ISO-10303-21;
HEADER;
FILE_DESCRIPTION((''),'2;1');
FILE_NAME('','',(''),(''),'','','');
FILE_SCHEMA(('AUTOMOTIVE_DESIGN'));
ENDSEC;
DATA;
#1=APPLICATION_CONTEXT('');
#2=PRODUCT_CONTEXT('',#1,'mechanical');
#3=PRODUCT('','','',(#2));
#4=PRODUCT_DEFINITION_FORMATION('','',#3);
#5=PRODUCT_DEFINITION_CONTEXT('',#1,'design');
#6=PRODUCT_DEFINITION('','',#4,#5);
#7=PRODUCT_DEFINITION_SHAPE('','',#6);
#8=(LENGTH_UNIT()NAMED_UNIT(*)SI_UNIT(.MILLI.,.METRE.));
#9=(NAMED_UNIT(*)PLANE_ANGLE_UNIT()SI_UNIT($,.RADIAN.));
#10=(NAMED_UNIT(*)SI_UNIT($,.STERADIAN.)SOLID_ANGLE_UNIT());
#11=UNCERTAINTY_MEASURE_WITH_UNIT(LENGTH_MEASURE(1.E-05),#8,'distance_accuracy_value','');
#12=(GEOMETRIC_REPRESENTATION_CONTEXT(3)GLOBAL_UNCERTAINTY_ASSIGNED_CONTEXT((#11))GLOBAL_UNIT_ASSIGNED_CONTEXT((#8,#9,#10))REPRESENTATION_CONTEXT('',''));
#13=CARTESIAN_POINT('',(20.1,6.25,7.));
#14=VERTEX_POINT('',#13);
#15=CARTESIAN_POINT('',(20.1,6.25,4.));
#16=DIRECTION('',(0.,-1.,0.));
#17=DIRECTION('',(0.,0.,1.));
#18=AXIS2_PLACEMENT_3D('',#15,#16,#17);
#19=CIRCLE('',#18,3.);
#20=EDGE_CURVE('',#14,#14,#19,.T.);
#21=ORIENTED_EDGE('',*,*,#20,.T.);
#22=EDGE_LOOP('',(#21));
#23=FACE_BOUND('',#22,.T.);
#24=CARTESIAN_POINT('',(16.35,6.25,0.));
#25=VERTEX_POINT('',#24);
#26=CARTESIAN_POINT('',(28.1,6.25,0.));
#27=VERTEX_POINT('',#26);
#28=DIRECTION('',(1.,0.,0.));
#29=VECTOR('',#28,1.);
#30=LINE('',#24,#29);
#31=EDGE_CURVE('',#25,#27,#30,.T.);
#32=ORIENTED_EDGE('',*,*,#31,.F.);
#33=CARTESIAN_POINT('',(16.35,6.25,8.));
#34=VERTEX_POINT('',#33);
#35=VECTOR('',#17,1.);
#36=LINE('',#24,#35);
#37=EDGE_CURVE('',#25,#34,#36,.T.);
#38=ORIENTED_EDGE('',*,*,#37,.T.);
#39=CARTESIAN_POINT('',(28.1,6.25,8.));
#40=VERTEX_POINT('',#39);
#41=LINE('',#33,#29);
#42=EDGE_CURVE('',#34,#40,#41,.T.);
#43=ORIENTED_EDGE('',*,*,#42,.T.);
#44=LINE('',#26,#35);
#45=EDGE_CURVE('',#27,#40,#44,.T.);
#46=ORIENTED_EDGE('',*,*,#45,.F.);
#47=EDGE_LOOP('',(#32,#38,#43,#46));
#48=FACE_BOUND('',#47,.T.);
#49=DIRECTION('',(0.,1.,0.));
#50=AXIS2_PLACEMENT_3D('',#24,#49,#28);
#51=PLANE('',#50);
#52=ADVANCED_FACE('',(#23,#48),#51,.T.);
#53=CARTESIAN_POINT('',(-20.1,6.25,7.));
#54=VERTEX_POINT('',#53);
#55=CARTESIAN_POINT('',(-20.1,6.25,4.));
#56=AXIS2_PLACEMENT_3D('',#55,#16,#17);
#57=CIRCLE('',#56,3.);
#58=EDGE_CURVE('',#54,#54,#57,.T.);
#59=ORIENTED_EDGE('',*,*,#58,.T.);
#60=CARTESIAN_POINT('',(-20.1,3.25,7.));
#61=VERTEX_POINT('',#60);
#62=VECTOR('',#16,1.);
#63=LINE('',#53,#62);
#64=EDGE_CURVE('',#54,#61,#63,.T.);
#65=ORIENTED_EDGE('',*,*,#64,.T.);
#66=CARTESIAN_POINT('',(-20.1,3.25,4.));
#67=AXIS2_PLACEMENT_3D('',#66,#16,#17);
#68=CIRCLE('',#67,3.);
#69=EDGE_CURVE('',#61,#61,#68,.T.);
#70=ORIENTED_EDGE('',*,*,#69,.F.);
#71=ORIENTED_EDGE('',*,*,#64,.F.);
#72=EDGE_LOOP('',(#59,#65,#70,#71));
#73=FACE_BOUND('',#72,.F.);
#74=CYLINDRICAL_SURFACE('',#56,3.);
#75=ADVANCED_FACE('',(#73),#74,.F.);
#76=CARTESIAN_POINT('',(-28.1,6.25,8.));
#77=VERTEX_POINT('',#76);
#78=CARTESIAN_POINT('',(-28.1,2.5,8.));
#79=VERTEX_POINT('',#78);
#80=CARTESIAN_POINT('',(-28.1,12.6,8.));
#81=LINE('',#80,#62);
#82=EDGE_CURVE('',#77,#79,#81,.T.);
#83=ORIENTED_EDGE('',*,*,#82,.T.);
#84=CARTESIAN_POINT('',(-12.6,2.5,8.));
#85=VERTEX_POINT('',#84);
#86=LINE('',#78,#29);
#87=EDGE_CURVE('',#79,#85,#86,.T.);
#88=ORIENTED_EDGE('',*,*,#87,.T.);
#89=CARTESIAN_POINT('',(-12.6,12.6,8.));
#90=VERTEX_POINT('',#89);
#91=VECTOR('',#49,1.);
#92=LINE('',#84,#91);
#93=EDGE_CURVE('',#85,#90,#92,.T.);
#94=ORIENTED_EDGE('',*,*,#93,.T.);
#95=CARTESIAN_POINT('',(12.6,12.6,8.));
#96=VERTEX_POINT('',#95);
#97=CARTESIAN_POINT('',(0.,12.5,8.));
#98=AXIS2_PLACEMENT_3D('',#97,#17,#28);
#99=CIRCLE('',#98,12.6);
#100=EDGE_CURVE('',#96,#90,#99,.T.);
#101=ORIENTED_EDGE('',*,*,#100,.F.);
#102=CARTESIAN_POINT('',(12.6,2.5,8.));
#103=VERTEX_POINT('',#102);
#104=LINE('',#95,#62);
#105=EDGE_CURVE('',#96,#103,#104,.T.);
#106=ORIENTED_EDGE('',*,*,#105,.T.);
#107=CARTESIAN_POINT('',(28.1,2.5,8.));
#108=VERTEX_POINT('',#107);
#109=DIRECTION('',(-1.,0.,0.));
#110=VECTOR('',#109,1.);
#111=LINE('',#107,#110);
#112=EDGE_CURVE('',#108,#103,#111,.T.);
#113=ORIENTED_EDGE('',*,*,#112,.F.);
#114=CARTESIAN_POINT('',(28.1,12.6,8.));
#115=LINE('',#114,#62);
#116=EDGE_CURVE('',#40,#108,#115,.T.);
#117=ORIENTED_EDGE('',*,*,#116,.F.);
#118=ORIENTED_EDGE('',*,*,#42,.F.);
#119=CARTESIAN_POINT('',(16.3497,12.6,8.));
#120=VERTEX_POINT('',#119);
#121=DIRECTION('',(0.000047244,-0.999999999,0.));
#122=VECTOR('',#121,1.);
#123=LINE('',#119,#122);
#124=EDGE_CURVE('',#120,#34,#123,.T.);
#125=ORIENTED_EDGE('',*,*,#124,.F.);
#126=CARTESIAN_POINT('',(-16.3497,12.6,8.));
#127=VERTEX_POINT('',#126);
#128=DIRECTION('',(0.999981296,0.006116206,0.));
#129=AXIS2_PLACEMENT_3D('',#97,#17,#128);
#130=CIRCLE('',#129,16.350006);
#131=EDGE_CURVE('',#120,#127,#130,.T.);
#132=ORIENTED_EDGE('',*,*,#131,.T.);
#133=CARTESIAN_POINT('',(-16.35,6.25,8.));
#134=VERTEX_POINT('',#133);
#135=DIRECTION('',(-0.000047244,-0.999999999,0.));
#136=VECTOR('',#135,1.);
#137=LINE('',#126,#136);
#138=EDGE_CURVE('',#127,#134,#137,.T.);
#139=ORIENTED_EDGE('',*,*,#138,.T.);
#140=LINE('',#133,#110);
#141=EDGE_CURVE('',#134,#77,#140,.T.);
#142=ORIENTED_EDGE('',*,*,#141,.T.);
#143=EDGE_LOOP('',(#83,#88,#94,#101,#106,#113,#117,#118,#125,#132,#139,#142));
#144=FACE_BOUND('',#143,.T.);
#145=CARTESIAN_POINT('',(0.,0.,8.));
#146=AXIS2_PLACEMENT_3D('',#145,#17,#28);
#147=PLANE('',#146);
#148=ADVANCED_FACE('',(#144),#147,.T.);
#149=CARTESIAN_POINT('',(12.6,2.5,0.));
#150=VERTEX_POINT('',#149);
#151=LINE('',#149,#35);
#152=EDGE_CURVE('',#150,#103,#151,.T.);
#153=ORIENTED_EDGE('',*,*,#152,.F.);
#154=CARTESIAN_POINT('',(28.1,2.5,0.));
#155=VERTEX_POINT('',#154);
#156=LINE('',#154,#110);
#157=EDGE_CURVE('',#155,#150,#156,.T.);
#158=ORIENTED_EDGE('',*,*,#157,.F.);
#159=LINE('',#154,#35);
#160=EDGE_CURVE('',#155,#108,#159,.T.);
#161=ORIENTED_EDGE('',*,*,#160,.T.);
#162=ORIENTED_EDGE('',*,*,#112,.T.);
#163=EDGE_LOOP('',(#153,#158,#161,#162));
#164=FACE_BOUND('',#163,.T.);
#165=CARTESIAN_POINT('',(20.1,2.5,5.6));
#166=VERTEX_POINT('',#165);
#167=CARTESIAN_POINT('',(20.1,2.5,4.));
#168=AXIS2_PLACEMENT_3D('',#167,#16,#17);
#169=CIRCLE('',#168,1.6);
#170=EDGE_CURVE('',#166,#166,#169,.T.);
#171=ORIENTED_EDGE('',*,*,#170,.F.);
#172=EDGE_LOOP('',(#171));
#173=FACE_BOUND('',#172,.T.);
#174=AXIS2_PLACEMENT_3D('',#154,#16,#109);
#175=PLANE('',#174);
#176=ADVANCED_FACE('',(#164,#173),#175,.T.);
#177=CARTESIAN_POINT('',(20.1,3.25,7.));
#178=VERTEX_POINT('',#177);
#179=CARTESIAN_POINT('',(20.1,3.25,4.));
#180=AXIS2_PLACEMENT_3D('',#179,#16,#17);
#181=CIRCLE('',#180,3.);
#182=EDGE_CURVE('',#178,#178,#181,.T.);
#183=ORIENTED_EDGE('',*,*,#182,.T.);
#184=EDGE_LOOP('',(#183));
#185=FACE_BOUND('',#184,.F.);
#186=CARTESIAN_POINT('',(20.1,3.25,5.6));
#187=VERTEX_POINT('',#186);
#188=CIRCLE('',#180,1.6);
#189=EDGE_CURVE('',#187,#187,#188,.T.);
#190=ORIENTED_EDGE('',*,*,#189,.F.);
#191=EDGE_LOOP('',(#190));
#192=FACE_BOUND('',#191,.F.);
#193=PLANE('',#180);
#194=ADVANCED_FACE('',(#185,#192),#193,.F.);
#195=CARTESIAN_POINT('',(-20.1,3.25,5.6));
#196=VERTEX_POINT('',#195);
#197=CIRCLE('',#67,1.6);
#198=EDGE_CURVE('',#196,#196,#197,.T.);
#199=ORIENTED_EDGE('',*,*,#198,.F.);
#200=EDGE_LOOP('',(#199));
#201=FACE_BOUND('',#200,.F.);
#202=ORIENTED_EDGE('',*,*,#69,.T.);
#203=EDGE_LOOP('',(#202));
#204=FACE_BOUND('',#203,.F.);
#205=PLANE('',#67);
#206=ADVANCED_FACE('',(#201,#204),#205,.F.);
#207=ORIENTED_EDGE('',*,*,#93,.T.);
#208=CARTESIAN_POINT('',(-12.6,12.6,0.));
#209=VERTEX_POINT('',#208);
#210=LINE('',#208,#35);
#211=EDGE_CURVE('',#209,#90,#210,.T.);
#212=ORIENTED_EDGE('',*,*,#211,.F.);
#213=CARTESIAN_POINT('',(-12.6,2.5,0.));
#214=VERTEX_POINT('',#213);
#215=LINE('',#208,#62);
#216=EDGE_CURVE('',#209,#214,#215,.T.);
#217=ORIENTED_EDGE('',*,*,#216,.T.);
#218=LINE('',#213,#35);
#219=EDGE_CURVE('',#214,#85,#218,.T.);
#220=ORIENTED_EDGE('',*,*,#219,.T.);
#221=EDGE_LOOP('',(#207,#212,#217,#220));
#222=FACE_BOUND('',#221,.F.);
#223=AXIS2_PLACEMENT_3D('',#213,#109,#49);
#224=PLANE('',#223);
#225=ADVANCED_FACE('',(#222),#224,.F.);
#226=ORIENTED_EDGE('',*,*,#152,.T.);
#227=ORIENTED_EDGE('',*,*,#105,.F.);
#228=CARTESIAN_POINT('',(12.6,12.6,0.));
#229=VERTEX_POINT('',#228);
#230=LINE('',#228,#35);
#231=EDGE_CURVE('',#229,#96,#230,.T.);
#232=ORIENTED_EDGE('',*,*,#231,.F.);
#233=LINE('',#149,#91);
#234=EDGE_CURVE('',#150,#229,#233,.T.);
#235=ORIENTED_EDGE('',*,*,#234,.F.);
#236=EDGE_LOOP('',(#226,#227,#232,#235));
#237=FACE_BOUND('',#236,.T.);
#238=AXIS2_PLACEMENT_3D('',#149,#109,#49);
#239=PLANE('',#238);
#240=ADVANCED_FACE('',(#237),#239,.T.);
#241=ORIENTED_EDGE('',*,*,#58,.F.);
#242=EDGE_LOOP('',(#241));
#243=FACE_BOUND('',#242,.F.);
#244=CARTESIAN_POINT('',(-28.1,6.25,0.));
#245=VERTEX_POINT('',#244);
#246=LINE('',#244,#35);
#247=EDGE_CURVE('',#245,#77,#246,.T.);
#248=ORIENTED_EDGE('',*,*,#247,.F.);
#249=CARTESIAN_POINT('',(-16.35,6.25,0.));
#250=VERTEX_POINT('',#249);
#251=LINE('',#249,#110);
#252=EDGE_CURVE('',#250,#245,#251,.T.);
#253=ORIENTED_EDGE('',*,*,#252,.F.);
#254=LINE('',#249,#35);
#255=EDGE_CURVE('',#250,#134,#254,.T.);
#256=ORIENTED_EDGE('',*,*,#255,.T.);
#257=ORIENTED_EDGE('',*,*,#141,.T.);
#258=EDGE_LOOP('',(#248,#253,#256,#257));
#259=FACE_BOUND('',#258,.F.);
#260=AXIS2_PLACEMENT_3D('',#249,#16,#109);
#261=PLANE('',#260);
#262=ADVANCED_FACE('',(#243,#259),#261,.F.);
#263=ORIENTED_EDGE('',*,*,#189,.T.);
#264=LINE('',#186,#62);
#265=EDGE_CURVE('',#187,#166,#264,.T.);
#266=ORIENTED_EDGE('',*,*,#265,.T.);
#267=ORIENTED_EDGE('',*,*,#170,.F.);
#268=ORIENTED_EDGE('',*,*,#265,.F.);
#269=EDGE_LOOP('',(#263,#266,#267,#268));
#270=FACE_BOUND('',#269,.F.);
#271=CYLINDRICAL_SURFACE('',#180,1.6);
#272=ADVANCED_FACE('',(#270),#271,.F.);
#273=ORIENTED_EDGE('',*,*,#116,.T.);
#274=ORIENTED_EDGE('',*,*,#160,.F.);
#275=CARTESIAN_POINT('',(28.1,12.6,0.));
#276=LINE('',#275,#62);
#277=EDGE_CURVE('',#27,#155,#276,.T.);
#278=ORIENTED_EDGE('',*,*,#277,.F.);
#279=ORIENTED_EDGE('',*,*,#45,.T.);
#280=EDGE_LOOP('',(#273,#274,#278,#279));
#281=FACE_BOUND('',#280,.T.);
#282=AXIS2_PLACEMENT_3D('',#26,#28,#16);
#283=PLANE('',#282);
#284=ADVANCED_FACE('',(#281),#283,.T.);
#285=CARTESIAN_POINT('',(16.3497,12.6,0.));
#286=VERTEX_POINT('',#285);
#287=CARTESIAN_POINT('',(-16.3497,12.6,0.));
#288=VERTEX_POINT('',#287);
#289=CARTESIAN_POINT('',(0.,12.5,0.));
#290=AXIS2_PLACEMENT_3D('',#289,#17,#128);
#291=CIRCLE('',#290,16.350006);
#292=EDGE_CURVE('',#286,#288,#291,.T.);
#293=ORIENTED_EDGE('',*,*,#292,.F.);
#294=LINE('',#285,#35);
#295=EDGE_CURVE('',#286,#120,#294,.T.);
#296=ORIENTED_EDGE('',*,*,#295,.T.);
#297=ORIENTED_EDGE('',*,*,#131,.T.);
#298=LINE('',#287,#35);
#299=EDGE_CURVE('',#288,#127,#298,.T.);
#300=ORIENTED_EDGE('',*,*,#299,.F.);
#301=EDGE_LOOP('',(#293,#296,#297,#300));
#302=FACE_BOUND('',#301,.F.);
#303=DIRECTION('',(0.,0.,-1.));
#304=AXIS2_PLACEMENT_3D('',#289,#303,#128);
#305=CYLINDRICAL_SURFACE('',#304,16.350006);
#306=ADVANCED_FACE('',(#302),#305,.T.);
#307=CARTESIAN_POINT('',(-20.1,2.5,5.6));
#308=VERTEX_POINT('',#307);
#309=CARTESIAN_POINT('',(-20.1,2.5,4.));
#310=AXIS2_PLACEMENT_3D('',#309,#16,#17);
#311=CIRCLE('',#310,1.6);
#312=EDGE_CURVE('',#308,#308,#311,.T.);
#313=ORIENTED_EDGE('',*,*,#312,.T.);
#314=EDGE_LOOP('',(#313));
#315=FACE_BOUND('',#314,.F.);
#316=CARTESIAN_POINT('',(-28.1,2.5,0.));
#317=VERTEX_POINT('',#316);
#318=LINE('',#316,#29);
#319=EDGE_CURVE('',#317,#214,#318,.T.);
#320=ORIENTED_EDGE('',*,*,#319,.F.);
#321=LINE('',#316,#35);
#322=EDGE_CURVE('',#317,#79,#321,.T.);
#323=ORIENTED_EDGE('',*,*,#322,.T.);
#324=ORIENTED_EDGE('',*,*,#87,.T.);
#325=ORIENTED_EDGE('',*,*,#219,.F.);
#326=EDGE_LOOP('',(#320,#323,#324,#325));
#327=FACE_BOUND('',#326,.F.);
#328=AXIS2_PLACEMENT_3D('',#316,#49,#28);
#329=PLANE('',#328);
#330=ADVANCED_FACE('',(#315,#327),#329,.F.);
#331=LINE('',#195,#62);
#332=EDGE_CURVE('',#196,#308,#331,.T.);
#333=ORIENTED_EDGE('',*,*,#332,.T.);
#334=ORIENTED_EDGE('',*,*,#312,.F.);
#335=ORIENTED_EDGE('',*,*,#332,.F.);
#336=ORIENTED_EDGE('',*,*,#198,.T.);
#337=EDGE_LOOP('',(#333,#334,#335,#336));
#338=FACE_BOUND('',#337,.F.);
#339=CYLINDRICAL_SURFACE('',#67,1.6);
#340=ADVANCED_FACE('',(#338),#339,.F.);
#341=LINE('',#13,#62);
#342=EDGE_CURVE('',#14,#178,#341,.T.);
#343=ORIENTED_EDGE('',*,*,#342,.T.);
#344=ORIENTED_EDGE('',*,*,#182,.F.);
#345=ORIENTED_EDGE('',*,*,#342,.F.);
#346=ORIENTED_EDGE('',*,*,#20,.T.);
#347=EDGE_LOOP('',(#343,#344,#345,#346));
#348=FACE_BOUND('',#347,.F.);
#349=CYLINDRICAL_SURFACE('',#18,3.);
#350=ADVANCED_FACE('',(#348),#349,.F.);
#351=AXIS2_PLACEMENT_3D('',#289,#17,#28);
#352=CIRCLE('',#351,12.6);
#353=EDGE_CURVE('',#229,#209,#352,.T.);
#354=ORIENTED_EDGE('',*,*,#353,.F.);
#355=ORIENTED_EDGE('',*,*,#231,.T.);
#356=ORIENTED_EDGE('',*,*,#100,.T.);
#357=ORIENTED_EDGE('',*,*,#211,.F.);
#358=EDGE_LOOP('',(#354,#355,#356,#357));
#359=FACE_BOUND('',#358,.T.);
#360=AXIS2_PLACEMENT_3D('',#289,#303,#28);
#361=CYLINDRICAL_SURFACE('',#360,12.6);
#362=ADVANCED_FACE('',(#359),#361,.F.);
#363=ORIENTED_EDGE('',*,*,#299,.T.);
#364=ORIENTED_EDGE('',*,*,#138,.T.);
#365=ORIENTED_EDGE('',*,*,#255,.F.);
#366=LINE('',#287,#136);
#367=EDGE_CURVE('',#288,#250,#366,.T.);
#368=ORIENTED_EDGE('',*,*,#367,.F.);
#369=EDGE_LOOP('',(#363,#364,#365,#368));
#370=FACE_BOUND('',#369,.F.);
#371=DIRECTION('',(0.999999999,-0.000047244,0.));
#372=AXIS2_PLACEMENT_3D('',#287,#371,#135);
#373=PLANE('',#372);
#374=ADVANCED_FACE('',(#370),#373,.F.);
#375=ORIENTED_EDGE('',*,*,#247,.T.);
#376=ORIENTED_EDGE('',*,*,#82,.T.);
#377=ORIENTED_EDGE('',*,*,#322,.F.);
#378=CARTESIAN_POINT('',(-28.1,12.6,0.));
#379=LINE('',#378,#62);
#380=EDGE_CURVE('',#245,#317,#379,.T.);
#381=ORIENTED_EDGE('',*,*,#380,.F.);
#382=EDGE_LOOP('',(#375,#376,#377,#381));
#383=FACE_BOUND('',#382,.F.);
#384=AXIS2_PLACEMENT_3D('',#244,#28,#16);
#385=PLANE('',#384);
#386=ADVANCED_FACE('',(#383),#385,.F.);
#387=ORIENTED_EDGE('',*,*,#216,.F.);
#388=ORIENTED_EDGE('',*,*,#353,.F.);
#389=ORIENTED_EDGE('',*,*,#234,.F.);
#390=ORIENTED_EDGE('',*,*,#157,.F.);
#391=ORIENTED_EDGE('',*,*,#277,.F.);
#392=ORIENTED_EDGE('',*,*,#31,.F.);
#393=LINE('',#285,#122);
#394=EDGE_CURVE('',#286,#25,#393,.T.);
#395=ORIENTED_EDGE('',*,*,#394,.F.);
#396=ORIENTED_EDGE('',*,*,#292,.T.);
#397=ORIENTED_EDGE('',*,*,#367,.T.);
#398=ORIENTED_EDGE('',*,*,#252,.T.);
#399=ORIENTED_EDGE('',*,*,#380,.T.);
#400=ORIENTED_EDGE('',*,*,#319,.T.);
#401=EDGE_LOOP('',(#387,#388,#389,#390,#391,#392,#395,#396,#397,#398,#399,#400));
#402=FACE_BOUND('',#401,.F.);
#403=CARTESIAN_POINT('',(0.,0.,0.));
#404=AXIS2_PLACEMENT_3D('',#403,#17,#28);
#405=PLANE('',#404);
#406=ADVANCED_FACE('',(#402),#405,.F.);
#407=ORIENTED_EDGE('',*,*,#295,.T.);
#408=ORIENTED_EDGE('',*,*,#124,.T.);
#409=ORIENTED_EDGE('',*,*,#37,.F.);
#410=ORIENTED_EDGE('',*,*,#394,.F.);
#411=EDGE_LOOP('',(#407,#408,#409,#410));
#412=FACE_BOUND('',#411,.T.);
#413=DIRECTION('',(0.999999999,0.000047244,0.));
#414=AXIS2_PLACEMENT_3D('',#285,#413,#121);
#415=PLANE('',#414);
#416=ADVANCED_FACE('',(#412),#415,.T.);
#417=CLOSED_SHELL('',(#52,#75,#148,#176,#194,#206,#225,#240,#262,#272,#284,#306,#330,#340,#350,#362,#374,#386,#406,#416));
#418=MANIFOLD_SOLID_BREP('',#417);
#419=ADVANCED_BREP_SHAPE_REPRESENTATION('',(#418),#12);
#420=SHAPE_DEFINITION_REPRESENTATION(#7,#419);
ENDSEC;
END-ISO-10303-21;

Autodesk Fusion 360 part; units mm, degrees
sketch "Sketch1" plane through (0, 0, 0) normal (0, 0, 1) x (1, 0, 0)
  line L0 (0, 0) -> (0, 25.1) construction
  line L1 (-28.1, 2.5) -> (-12.6, 2.5)
  line L2 (-12.6, 2.5) -> (-12.6, 12.6)
  line L3 (-16.3497, 12.6) -> (-28.1, 12.6)
  line L4 (-28.1, 12.6) -> (-28.1, 2.5)
  line L5 (28.1, 12.6) -> (28.1, 2.5)
  line L6 (16.3497, 12.6) -> (28.1, 12.6)
  line L7 (28.1, 2.5) -> (12.6, 2.5)
  line L8 (12.6, 2.5) -> (12.6, 12.6)
  arc A0 (16.3497, 12.6) -> (-16.3497, 12.6) centre (0, 12.5) ccw
  arc A1 (12.6, 12.5) -> (-12.6, 12.5) centre (0, 12.5) ccw
  line L9 (-28.1, 12.6) -> (-16.35, 12.6)
  line L10 (-16.35, 12.6) -> (-16.35, 6.25)
  line L11 (-16.35, 6.25) -> (-28.1, 6.25)
  line L12 (-28.1, 6.25) -> (-28.1, 12.6)
  line L13 (28.1, 12.6) -> (16.35, 12.6)
  line L14 (16.35, 6.25) -> (28.1, 6.25)
  line L15 (16.35, 12.6) -> (16.35, 6.25)
  point P0 (0, 12.5)
  point P1 (-12.6, 12.6)
  point P2 (-28.1, 2.5)
  point P3 (12.6, 12.6)
  point P4 (-28.1, 2.5)
  point P5 (-20.1, 6.15)
  point P6 (-16.35, 12.5)
  point P7 (20.1, 6.15)
  dimension "d1" = 25.2
  dimension "d2" = 32.7
  dimension "d3" = 11.75
  dimension "d4" = 6.35
extrude "Extrude1" add sketch "Sketch1" along normal blind 8 contours L1 L2 L4 L5 L7 L8 A0 A1 L10 L11 L14 L15
sketch "Sketch2" plane through (0, 6.25, 0) normal (0, 1, 0) x (-1, 0, 0)
  line L0 (16.35, 0) -> (28.1, 0)
  line L1 (28.1, 0) -> (28.1, 8)
  line L2 (28.1, 8) -> (16.35, 8)
  line L3 (16.35, 8) -> (16.35, 0)
  line L4 (0, 8) -> (0, 0) construction
  point P0 (20.1, 4)
  point P1 (-20.1, 4)
hole "Hole1" at (-20.1, 6.25, 4) at (20.1, 6.25, 4) direction (0, -1, 0) diameter 3.2 end through all counterbore diameter 6 counterbore depth 3
